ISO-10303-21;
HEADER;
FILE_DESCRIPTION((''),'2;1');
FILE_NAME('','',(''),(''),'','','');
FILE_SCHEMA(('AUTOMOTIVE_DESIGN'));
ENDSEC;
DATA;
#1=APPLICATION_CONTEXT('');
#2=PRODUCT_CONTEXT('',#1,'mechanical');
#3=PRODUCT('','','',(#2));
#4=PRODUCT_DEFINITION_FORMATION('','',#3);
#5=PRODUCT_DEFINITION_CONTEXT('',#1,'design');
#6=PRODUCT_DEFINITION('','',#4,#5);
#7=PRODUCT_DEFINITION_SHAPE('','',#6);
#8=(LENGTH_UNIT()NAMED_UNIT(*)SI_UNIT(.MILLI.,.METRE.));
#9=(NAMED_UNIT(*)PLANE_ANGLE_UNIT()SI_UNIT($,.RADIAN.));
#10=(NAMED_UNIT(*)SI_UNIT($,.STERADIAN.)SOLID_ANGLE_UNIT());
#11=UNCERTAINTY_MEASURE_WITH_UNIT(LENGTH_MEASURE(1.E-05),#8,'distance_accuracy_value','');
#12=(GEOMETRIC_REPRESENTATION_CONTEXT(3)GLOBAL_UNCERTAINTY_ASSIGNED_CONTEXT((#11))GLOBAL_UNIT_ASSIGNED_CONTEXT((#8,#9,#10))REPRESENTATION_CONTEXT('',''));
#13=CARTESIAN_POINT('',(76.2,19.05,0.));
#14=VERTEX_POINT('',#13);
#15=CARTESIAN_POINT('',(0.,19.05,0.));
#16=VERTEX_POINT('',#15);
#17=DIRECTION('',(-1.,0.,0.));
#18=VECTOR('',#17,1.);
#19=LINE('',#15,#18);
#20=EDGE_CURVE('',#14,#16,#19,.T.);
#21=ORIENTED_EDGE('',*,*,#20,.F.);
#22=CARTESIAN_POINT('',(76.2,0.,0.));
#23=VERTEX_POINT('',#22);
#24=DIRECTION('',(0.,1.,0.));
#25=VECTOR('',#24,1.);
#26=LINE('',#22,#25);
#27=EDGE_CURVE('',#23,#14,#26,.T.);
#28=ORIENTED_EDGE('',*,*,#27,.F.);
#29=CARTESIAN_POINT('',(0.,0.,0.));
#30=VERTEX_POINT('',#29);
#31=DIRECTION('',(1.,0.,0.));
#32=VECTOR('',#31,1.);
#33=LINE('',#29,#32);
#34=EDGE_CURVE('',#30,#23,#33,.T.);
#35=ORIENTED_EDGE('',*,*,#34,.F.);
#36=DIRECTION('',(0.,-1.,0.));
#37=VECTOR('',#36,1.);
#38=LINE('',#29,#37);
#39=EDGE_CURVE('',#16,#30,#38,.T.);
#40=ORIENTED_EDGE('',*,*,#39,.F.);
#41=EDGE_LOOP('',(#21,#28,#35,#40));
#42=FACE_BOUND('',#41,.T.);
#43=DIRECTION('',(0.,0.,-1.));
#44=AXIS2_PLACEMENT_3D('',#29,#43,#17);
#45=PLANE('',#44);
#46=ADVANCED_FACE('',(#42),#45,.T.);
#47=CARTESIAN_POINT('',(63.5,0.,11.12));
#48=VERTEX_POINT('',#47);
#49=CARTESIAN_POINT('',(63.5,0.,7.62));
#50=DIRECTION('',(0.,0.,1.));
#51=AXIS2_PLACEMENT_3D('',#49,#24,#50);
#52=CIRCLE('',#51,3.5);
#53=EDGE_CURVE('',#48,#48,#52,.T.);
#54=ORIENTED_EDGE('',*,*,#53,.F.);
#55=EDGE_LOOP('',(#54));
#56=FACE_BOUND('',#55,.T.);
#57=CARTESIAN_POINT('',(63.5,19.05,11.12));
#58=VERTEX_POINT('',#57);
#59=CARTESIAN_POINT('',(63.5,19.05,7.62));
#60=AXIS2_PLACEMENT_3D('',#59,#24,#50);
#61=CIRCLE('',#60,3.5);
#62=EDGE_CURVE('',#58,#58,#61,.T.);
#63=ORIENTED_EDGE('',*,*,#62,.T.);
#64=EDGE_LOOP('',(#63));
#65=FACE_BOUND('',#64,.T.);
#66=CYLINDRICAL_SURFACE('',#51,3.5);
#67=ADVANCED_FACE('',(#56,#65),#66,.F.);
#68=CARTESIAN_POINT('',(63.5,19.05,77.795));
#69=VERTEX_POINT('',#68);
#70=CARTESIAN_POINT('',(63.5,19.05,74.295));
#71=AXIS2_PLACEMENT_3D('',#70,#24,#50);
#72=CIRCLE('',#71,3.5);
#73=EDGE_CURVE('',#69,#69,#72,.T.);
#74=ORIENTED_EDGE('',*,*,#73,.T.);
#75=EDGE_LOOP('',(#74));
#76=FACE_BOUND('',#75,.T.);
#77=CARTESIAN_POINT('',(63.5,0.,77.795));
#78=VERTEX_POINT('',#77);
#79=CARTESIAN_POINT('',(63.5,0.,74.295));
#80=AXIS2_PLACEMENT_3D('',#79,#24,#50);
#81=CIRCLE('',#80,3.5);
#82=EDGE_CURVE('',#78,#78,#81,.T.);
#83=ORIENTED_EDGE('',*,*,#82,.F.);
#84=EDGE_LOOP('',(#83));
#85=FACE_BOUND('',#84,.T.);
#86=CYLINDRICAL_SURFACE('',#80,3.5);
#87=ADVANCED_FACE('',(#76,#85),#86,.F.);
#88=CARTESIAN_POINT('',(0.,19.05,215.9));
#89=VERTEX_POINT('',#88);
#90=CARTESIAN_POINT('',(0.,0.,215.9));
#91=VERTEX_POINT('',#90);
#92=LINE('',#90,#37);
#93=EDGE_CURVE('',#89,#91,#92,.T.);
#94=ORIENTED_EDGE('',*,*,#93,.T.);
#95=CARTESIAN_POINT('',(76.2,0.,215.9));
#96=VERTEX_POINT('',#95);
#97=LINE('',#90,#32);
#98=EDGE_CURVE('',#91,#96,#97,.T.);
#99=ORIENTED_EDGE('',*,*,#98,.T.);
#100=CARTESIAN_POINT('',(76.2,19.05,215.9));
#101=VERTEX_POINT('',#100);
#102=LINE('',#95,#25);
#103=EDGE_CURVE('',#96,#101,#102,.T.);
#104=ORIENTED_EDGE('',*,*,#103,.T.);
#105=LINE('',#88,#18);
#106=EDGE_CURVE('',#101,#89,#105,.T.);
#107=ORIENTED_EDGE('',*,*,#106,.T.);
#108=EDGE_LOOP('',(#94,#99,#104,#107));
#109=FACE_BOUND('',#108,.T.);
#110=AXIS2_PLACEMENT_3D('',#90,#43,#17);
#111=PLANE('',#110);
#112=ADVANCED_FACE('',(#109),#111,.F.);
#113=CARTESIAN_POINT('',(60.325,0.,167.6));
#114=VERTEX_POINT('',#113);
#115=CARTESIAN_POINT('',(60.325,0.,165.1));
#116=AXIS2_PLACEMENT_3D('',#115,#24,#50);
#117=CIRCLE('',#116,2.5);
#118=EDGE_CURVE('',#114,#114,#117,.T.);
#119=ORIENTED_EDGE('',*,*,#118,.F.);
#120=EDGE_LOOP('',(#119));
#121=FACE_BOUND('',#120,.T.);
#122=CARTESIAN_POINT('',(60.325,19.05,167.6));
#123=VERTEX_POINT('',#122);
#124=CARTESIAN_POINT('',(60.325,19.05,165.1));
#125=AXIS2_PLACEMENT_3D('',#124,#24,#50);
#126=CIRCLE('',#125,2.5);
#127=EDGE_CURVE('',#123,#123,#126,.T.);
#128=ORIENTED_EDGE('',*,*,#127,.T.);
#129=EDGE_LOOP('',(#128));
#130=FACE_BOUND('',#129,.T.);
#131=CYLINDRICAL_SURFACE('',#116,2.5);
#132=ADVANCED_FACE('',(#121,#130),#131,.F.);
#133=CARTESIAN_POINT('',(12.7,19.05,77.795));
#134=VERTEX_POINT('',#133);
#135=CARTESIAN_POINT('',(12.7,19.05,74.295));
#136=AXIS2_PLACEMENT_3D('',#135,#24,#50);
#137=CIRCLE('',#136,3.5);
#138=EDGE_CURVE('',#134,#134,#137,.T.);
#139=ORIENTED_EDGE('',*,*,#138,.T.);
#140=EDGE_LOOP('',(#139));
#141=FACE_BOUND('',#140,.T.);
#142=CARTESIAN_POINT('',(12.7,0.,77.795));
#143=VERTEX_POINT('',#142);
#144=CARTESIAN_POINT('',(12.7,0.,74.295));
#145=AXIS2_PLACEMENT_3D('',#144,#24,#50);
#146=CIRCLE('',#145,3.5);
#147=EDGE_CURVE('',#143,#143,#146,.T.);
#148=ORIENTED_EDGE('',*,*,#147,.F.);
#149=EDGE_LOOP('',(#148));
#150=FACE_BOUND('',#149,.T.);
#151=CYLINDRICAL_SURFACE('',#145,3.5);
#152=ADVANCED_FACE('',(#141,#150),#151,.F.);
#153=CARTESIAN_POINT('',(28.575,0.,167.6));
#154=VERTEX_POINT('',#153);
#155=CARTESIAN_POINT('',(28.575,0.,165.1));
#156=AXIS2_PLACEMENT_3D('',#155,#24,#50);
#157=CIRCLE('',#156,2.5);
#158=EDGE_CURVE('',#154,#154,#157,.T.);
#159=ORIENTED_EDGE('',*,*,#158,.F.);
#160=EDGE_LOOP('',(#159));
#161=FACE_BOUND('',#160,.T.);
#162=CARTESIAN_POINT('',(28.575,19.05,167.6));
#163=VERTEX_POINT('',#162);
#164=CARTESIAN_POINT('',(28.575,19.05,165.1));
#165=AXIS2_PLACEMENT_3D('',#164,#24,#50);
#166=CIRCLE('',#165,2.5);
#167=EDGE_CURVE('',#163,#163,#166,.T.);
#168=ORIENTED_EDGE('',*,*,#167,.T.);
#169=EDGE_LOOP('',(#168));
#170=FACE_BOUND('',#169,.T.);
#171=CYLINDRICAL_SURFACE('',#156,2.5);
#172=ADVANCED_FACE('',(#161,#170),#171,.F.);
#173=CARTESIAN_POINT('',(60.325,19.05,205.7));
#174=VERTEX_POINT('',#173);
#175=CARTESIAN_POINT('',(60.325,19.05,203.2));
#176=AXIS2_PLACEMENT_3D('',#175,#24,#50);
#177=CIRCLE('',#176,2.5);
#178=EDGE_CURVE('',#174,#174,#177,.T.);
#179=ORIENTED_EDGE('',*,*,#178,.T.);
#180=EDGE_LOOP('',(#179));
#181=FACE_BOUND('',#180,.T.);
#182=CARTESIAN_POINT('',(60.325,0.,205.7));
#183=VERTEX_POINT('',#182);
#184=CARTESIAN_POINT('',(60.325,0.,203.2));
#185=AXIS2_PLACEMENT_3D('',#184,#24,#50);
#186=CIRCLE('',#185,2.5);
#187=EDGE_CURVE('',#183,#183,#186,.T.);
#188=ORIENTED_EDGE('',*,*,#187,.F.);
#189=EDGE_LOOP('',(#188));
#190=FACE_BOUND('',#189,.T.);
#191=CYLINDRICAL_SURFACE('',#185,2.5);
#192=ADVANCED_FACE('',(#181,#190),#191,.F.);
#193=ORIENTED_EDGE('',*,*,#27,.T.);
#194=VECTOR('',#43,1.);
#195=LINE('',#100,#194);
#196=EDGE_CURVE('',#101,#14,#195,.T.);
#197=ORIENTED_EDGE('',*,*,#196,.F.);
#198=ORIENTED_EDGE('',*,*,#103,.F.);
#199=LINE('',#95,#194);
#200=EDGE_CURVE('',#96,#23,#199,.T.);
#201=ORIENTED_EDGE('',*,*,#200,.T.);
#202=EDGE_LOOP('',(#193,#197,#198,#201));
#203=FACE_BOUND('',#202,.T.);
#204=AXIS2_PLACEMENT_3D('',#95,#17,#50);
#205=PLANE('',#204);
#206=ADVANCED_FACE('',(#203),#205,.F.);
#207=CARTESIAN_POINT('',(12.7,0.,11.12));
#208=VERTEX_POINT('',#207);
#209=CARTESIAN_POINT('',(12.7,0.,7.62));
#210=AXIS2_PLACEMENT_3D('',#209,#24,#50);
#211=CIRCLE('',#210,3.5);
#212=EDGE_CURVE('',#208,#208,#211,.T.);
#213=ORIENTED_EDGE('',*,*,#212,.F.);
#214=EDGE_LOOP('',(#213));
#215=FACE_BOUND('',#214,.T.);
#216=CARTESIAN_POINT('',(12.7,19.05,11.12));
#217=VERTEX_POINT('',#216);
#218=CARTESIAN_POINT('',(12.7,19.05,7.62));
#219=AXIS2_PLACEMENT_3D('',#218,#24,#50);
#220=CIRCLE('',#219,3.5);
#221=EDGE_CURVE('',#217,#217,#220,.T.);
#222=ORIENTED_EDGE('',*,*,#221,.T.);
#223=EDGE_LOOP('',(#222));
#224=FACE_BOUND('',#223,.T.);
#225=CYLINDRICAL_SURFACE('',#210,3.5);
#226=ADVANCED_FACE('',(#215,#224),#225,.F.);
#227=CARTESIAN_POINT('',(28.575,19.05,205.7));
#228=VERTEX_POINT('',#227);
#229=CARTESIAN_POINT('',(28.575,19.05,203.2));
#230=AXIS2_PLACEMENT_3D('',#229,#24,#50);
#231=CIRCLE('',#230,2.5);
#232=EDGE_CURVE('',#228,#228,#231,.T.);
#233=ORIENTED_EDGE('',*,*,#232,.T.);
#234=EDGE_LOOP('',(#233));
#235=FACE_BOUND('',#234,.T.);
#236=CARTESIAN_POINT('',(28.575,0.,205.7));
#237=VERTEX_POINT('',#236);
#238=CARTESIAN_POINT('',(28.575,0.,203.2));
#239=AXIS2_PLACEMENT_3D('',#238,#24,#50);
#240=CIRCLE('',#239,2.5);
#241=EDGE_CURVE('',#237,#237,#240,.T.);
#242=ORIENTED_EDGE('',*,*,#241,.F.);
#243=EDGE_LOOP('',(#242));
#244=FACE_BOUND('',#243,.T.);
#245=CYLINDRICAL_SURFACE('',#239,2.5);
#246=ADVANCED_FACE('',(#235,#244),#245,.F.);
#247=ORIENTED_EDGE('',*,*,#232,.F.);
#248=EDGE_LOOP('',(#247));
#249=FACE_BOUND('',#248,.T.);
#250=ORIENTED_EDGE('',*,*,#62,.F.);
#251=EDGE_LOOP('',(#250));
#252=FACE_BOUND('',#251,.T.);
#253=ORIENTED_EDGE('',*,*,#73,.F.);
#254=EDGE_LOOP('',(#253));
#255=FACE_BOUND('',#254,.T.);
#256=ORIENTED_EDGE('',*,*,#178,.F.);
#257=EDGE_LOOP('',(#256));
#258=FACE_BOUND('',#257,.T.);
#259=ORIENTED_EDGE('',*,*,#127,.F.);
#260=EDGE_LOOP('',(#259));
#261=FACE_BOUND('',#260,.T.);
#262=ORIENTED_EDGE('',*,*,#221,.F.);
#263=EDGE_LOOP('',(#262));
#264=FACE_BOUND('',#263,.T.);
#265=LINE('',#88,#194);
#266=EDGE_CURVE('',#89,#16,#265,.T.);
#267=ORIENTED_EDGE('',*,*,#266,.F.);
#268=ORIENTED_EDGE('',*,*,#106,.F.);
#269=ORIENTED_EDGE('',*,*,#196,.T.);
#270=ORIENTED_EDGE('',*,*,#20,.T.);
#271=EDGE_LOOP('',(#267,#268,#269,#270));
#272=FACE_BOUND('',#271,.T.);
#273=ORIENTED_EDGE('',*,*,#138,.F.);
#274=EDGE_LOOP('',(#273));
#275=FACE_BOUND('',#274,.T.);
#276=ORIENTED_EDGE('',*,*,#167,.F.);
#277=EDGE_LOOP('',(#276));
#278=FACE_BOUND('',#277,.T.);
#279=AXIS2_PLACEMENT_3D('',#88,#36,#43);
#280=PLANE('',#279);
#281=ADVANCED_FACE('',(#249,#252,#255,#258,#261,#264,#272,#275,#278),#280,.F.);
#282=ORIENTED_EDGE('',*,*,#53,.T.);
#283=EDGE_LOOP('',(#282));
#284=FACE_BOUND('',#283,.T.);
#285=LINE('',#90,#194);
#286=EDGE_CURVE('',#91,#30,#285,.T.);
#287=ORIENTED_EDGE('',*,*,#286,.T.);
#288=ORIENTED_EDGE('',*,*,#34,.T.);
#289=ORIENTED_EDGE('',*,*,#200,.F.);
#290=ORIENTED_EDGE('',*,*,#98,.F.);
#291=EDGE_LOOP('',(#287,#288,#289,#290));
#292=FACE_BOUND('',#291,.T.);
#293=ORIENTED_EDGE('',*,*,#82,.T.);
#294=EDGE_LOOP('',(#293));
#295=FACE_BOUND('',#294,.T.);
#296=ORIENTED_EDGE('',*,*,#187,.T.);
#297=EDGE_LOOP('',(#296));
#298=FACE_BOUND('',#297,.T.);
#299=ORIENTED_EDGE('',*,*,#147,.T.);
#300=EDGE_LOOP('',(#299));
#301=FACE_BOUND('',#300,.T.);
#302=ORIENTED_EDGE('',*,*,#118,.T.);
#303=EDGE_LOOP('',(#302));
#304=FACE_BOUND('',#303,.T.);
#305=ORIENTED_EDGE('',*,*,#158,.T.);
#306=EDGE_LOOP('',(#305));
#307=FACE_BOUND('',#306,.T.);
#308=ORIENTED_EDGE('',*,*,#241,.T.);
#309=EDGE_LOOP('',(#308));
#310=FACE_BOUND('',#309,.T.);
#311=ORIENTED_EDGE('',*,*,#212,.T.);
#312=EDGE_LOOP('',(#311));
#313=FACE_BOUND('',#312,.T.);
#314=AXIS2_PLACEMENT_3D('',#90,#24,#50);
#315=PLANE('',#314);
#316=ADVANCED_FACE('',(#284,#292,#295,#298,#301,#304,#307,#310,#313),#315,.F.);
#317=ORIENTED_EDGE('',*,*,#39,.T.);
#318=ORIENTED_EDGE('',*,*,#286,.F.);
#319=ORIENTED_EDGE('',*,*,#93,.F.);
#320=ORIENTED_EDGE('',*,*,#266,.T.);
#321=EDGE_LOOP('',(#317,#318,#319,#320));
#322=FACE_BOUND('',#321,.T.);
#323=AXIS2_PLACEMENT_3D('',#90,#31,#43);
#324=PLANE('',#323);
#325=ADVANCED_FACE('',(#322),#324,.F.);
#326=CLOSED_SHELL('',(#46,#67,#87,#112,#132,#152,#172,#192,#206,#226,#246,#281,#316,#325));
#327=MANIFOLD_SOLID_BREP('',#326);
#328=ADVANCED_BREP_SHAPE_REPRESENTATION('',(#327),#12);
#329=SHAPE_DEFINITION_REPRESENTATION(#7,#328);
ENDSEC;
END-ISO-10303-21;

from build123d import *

# Parameters (mm, degrees)
SKETCH2_W           = 76.2
SKETCH2_H           = 19.05
BOSS_EXTRUDE1_DEPTH = 215.9
SKETCH3_R           = 3.5
CUT_EXTRUDE1_DEPTH  = 20.05
SKETCH4_R           = 2.5
CUT_EXTRUDE2_DEPTH  = 20.05


with BuildPart() as part:
    # Sketch2 → Boss-Extrude1 (new body)
    with BuildSketch(Plane.XY):
        with Locations((38.1, 9.525)):
            Rectangle(SKETCH2_W, SKETCH2_H)
    extrude(amount=BOSS_EXTRUDE1_DEPTH)

    # Sketch3 → Cut-Extrude1 (cut, through all)
    with BuildSketch(Plane(origin=(0, 19.05, 0), x_dir=(1, 0, 0), z_dir=(0, 1, 0))):
        with Locations((12.7, -7.62)):
            Circle(SKETCH3_R)
        with Locations((63.5, -7.62)):
            Circle(SKETCH3_R)
        with Locations((63.5, -74.295)):
            Circle(SKETCH3_R)
        with Locations((12.7, -74.295)):
            Circle(SKETCH3_R)
    extrude(amount=-CUT_EXTRUDE1_DEPTH, mode=Mode.SUBTRACT)

    # Sketch4 → Cut-Extrude2 (cut, through all)
    with BuildSketch(Plane(origin=(0, 19.05, 0), x_dir=(1, 0, 0), z_dir=(0, 1, 0))):
        with Locations((28.575, -203.2)):
            Circle(SKETCH4_R)
        with Locations((60.325, -203.2)):
            Circle(SKETCH4_R)
        with Locations((60.325, -165.1)):
            Circle(SKETCH4_R)
        with Locations((28.575, -165.1)):
            Circle(SKETCH4_R)
    extrude(amount=-CUT_EXTRUDE2_DEPTH, mode=Mode.SUBTRACT)


solid = part.part
